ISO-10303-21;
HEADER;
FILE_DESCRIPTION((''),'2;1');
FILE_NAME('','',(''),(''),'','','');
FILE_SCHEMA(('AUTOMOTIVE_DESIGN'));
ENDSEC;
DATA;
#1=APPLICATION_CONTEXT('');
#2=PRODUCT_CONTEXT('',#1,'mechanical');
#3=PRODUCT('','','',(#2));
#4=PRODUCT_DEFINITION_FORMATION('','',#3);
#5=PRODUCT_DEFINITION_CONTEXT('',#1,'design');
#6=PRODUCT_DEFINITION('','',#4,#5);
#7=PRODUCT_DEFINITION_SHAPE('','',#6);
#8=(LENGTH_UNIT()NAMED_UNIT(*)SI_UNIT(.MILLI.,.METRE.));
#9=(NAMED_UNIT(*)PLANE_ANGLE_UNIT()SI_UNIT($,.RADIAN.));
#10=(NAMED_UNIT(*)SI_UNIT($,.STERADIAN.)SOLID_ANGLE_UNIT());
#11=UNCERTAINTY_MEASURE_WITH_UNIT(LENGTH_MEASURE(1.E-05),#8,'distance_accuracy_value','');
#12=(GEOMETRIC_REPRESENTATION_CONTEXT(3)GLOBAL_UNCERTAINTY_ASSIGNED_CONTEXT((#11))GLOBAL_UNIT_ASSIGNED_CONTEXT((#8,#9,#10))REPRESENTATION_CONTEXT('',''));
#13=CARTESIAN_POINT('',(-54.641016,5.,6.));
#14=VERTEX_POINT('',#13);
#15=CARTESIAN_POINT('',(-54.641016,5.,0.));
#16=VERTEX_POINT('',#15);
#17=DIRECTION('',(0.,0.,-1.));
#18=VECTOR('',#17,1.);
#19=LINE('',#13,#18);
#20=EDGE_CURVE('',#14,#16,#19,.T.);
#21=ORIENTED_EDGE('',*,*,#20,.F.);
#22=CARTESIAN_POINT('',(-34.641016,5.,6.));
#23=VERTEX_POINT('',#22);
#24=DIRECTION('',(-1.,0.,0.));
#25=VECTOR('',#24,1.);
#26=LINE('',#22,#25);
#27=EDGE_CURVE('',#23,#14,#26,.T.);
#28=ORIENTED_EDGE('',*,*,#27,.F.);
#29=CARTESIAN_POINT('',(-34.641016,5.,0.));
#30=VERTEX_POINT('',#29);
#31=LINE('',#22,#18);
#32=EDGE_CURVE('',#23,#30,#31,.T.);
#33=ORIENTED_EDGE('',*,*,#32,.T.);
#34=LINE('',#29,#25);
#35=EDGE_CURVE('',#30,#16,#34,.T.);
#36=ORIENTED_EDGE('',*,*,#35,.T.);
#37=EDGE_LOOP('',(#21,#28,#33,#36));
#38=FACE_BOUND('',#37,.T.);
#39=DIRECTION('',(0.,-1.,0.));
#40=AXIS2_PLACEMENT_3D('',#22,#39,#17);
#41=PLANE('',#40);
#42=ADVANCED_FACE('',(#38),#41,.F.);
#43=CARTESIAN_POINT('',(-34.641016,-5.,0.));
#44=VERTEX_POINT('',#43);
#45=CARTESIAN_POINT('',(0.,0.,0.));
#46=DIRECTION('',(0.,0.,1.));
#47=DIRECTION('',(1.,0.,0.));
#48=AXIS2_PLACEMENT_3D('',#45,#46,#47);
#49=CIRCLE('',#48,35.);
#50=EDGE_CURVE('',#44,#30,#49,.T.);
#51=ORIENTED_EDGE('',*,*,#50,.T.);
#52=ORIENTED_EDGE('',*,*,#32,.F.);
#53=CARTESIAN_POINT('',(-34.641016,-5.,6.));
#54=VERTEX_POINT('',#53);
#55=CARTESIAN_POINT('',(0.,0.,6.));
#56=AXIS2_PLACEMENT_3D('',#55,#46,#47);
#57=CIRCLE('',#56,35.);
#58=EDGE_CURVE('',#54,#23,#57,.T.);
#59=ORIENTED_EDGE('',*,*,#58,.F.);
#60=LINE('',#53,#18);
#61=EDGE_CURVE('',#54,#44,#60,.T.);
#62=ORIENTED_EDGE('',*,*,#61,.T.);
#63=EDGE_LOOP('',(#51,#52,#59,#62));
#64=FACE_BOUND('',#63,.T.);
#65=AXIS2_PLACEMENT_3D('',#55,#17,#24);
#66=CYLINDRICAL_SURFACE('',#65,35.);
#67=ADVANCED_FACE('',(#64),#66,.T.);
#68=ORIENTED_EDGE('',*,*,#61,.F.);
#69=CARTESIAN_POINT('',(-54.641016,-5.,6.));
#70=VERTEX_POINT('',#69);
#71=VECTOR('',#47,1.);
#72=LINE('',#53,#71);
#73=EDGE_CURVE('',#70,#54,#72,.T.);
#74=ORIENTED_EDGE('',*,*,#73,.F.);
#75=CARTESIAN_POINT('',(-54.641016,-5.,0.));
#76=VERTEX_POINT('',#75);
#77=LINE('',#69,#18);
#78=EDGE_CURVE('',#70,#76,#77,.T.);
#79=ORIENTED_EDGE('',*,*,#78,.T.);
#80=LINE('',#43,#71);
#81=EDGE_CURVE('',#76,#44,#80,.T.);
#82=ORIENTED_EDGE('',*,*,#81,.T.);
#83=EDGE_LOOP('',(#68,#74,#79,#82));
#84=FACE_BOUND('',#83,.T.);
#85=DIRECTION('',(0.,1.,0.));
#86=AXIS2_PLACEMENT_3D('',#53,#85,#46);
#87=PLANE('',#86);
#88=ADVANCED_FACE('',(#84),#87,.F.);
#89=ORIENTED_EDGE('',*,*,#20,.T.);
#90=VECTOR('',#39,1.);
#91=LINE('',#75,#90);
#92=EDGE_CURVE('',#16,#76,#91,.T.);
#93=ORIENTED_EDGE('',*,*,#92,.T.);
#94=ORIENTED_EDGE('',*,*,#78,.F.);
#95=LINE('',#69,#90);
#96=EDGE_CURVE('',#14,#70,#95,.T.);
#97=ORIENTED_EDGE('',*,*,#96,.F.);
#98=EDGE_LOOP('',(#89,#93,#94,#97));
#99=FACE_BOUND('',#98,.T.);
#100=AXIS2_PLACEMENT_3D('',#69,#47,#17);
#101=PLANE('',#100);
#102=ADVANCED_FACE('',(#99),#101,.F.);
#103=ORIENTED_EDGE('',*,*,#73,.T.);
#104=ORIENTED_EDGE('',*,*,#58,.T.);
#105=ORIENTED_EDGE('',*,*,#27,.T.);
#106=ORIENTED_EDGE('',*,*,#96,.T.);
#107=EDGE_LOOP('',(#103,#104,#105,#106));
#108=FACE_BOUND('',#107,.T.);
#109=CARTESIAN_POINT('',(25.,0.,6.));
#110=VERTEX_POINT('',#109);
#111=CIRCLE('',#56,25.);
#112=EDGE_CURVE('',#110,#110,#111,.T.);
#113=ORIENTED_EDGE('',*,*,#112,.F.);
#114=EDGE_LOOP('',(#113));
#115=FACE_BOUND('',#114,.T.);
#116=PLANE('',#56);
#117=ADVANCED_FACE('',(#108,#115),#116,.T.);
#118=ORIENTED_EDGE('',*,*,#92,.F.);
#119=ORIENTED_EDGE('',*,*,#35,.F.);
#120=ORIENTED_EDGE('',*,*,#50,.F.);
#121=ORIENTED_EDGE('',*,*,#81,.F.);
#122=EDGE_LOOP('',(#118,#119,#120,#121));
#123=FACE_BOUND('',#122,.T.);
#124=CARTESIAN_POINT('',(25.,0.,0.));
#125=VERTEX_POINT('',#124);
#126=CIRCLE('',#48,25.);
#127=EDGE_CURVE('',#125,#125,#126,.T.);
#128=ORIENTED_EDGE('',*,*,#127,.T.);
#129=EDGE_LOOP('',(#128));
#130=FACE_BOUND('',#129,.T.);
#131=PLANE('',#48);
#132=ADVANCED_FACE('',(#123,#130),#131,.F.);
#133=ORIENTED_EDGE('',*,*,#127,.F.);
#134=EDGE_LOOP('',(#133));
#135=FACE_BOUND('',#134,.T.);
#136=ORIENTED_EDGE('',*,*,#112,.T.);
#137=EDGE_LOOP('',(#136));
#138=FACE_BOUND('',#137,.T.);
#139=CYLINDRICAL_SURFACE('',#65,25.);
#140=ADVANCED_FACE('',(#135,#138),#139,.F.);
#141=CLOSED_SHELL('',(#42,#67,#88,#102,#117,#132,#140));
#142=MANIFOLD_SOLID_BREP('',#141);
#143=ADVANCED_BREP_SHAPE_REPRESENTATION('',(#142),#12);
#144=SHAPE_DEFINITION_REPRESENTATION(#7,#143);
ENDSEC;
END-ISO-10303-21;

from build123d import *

# Parameters (mm, degrees)
SKETCH1_R           = 25
BOSS_EXTRUDE1_DEPTH = 6


with BuildPart() as part:
    # Sketch1 → Boss-Extrude1 (new body)
    with BuildSketch(Plane(origin=(0, 0, 0), x_dir=(0, 1, 0), z_dir=(0, 0, 1))):
        with BuildLine():
            Line((5, 34.641016151), (5, 54.641016151))
            Line((5, 54.641016151), (-5, 54.641016151))
            Line((-5, 54.641016151), (-5, 34.641016151))
            ThreePointArc((-5, 34.641016151), (0, -35), (5, 34.641016151))
        make_face()
        with Locations(Location((0, 0, 0), (0, 0, 270))):
            Circle(SKETCH1_R, mode=Mode.SUBTRACT)
    extrude(amount=BOSS_EXTRUDE1_DEPTH)


solid = part.part
